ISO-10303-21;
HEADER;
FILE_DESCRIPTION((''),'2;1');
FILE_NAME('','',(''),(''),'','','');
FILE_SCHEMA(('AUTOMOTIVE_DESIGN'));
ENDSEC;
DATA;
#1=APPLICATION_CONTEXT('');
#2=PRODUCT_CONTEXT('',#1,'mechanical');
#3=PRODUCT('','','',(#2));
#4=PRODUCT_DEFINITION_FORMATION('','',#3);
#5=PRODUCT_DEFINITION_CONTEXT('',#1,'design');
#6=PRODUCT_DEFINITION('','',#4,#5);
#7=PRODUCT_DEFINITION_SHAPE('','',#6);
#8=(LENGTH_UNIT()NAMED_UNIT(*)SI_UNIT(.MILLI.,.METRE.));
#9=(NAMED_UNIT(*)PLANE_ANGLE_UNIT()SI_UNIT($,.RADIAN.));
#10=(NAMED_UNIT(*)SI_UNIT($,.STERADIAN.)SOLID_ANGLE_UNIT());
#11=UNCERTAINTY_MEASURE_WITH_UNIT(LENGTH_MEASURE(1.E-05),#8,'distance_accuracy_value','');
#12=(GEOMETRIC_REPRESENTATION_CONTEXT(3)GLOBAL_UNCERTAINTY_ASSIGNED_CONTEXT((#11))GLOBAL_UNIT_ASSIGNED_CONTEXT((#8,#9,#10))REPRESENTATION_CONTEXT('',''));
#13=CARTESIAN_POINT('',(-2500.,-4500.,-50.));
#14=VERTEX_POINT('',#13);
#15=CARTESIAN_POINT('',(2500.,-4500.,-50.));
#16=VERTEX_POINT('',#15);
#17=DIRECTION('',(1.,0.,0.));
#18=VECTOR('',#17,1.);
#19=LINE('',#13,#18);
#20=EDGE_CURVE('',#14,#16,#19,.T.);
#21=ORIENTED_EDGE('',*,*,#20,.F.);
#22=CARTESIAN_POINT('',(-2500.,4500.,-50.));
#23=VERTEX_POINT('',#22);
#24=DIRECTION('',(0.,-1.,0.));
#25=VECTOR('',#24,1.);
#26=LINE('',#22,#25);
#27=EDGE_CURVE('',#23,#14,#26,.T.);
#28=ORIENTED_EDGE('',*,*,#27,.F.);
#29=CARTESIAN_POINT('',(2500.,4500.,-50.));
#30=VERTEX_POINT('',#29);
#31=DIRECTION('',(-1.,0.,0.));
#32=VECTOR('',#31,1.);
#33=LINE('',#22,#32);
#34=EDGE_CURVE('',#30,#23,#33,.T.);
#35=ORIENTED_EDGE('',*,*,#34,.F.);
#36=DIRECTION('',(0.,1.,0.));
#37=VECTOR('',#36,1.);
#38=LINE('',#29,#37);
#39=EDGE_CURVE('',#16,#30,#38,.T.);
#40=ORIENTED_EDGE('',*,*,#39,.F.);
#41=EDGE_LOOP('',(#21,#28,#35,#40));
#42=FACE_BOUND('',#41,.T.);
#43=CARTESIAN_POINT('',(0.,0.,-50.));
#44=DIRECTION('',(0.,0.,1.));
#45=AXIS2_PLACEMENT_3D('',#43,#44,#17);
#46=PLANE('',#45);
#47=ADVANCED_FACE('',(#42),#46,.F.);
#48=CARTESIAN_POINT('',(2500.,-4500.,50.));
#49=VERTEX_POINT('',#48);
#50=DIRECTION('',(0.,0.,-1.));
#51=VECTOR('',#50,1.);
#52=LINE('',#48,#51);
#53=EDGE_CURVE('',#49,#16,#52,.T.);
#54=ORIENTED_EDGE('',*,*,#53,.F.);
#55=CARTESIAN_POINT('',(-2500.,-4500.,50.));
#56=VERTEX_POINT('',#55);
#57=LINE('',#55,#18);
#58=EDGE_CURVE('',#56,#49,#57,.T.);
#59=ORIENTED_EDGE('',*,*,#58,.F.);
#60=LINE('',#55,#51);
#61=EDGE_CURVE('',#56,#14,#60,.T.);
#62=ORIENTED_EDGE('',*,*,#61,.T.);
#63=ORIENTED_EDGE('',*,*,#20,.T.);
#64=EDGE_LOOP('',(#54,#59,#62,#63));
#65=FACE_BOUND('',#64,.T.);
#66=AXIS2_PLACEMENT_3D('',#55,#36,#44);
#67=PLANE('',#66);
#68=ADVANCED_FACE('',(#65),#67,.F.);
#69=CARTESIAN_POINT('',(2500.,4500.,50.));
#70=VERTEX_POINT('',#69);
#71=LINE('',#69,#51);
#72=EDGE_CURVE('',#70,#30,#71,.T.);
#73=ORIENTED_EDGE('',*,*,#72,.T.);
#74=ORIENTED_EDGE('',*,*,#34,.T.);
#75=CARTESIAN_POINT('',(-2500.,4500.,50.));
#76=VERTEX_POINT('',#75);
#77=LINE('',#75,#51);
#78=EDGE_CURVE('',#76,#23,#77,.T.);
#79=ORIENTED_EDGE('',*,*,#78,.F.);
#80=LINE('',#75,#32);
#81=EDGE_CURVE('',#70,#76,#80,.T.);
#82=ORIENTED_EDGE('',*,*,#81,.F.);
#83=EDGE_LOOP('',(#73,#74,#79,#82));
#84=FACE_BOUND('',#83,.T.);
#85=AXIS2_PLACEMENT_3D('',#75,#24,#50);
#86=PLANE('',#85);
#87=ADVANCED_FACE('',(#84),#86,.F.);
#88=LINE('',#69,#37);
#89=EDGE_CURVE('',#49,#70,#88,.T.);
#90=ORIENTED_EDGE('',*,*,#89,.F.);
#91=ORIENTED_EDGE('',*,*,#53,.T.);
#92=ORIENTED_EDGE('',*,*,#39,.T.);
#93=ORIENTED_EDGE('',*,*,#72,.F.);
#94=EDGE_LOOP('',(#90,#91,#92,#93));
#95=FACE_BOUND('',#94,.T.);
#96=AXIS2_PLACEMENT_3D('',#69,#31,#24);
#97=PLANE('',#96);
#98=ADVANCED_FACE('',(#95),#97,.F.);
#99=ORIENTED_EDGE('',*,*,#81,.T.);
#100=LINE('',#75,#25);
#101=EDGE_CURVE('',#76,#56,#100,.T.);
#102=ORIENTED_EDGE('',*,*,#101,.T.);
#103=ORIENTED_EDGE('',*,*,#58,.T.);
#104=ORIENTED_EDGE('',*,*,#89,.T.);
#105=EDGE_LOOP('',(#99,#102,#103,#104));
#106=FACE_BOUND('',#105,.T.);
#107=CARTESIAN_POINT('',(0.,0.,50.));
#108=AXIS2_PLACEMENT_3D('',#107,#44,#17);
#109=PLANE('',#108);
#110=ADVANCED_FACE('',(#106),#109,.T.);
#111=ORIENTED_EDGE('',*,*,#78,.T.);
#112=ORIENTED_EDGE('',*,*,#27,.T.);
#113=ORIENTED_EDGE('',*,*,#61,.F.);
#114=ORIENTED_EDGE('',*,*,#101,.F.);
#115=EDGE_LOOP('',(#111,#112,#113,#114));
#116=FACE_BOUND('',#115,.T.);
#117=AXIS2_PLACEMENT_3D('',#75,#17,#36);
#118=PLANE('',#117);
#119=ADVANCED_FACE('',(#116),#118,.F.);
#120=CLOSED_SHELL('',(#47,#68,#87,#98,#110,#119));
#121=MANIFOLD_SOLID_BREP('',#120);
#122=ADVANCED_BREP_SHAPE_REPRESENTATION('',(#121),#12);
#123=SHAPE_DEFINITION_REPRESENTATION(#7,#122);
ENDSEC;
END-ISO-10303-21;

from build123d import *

# Parameters (mm, degrees)
SKETCH_1_W      = 5000
SKETCH_1_H      = 9000
EXTRUDE_1_DEPTH = 50


with BuildPart() as part:
    # 草图1 → 凸台-拉伸1 (new, symmetric)
    with BuildSketch(Plane.XY):
        Rectangle(SKETCH_1_W, SKETCH_1_H)
    extrude(amount=EXTRUDE_1_DEPTH, both=True)


solid = part.part
